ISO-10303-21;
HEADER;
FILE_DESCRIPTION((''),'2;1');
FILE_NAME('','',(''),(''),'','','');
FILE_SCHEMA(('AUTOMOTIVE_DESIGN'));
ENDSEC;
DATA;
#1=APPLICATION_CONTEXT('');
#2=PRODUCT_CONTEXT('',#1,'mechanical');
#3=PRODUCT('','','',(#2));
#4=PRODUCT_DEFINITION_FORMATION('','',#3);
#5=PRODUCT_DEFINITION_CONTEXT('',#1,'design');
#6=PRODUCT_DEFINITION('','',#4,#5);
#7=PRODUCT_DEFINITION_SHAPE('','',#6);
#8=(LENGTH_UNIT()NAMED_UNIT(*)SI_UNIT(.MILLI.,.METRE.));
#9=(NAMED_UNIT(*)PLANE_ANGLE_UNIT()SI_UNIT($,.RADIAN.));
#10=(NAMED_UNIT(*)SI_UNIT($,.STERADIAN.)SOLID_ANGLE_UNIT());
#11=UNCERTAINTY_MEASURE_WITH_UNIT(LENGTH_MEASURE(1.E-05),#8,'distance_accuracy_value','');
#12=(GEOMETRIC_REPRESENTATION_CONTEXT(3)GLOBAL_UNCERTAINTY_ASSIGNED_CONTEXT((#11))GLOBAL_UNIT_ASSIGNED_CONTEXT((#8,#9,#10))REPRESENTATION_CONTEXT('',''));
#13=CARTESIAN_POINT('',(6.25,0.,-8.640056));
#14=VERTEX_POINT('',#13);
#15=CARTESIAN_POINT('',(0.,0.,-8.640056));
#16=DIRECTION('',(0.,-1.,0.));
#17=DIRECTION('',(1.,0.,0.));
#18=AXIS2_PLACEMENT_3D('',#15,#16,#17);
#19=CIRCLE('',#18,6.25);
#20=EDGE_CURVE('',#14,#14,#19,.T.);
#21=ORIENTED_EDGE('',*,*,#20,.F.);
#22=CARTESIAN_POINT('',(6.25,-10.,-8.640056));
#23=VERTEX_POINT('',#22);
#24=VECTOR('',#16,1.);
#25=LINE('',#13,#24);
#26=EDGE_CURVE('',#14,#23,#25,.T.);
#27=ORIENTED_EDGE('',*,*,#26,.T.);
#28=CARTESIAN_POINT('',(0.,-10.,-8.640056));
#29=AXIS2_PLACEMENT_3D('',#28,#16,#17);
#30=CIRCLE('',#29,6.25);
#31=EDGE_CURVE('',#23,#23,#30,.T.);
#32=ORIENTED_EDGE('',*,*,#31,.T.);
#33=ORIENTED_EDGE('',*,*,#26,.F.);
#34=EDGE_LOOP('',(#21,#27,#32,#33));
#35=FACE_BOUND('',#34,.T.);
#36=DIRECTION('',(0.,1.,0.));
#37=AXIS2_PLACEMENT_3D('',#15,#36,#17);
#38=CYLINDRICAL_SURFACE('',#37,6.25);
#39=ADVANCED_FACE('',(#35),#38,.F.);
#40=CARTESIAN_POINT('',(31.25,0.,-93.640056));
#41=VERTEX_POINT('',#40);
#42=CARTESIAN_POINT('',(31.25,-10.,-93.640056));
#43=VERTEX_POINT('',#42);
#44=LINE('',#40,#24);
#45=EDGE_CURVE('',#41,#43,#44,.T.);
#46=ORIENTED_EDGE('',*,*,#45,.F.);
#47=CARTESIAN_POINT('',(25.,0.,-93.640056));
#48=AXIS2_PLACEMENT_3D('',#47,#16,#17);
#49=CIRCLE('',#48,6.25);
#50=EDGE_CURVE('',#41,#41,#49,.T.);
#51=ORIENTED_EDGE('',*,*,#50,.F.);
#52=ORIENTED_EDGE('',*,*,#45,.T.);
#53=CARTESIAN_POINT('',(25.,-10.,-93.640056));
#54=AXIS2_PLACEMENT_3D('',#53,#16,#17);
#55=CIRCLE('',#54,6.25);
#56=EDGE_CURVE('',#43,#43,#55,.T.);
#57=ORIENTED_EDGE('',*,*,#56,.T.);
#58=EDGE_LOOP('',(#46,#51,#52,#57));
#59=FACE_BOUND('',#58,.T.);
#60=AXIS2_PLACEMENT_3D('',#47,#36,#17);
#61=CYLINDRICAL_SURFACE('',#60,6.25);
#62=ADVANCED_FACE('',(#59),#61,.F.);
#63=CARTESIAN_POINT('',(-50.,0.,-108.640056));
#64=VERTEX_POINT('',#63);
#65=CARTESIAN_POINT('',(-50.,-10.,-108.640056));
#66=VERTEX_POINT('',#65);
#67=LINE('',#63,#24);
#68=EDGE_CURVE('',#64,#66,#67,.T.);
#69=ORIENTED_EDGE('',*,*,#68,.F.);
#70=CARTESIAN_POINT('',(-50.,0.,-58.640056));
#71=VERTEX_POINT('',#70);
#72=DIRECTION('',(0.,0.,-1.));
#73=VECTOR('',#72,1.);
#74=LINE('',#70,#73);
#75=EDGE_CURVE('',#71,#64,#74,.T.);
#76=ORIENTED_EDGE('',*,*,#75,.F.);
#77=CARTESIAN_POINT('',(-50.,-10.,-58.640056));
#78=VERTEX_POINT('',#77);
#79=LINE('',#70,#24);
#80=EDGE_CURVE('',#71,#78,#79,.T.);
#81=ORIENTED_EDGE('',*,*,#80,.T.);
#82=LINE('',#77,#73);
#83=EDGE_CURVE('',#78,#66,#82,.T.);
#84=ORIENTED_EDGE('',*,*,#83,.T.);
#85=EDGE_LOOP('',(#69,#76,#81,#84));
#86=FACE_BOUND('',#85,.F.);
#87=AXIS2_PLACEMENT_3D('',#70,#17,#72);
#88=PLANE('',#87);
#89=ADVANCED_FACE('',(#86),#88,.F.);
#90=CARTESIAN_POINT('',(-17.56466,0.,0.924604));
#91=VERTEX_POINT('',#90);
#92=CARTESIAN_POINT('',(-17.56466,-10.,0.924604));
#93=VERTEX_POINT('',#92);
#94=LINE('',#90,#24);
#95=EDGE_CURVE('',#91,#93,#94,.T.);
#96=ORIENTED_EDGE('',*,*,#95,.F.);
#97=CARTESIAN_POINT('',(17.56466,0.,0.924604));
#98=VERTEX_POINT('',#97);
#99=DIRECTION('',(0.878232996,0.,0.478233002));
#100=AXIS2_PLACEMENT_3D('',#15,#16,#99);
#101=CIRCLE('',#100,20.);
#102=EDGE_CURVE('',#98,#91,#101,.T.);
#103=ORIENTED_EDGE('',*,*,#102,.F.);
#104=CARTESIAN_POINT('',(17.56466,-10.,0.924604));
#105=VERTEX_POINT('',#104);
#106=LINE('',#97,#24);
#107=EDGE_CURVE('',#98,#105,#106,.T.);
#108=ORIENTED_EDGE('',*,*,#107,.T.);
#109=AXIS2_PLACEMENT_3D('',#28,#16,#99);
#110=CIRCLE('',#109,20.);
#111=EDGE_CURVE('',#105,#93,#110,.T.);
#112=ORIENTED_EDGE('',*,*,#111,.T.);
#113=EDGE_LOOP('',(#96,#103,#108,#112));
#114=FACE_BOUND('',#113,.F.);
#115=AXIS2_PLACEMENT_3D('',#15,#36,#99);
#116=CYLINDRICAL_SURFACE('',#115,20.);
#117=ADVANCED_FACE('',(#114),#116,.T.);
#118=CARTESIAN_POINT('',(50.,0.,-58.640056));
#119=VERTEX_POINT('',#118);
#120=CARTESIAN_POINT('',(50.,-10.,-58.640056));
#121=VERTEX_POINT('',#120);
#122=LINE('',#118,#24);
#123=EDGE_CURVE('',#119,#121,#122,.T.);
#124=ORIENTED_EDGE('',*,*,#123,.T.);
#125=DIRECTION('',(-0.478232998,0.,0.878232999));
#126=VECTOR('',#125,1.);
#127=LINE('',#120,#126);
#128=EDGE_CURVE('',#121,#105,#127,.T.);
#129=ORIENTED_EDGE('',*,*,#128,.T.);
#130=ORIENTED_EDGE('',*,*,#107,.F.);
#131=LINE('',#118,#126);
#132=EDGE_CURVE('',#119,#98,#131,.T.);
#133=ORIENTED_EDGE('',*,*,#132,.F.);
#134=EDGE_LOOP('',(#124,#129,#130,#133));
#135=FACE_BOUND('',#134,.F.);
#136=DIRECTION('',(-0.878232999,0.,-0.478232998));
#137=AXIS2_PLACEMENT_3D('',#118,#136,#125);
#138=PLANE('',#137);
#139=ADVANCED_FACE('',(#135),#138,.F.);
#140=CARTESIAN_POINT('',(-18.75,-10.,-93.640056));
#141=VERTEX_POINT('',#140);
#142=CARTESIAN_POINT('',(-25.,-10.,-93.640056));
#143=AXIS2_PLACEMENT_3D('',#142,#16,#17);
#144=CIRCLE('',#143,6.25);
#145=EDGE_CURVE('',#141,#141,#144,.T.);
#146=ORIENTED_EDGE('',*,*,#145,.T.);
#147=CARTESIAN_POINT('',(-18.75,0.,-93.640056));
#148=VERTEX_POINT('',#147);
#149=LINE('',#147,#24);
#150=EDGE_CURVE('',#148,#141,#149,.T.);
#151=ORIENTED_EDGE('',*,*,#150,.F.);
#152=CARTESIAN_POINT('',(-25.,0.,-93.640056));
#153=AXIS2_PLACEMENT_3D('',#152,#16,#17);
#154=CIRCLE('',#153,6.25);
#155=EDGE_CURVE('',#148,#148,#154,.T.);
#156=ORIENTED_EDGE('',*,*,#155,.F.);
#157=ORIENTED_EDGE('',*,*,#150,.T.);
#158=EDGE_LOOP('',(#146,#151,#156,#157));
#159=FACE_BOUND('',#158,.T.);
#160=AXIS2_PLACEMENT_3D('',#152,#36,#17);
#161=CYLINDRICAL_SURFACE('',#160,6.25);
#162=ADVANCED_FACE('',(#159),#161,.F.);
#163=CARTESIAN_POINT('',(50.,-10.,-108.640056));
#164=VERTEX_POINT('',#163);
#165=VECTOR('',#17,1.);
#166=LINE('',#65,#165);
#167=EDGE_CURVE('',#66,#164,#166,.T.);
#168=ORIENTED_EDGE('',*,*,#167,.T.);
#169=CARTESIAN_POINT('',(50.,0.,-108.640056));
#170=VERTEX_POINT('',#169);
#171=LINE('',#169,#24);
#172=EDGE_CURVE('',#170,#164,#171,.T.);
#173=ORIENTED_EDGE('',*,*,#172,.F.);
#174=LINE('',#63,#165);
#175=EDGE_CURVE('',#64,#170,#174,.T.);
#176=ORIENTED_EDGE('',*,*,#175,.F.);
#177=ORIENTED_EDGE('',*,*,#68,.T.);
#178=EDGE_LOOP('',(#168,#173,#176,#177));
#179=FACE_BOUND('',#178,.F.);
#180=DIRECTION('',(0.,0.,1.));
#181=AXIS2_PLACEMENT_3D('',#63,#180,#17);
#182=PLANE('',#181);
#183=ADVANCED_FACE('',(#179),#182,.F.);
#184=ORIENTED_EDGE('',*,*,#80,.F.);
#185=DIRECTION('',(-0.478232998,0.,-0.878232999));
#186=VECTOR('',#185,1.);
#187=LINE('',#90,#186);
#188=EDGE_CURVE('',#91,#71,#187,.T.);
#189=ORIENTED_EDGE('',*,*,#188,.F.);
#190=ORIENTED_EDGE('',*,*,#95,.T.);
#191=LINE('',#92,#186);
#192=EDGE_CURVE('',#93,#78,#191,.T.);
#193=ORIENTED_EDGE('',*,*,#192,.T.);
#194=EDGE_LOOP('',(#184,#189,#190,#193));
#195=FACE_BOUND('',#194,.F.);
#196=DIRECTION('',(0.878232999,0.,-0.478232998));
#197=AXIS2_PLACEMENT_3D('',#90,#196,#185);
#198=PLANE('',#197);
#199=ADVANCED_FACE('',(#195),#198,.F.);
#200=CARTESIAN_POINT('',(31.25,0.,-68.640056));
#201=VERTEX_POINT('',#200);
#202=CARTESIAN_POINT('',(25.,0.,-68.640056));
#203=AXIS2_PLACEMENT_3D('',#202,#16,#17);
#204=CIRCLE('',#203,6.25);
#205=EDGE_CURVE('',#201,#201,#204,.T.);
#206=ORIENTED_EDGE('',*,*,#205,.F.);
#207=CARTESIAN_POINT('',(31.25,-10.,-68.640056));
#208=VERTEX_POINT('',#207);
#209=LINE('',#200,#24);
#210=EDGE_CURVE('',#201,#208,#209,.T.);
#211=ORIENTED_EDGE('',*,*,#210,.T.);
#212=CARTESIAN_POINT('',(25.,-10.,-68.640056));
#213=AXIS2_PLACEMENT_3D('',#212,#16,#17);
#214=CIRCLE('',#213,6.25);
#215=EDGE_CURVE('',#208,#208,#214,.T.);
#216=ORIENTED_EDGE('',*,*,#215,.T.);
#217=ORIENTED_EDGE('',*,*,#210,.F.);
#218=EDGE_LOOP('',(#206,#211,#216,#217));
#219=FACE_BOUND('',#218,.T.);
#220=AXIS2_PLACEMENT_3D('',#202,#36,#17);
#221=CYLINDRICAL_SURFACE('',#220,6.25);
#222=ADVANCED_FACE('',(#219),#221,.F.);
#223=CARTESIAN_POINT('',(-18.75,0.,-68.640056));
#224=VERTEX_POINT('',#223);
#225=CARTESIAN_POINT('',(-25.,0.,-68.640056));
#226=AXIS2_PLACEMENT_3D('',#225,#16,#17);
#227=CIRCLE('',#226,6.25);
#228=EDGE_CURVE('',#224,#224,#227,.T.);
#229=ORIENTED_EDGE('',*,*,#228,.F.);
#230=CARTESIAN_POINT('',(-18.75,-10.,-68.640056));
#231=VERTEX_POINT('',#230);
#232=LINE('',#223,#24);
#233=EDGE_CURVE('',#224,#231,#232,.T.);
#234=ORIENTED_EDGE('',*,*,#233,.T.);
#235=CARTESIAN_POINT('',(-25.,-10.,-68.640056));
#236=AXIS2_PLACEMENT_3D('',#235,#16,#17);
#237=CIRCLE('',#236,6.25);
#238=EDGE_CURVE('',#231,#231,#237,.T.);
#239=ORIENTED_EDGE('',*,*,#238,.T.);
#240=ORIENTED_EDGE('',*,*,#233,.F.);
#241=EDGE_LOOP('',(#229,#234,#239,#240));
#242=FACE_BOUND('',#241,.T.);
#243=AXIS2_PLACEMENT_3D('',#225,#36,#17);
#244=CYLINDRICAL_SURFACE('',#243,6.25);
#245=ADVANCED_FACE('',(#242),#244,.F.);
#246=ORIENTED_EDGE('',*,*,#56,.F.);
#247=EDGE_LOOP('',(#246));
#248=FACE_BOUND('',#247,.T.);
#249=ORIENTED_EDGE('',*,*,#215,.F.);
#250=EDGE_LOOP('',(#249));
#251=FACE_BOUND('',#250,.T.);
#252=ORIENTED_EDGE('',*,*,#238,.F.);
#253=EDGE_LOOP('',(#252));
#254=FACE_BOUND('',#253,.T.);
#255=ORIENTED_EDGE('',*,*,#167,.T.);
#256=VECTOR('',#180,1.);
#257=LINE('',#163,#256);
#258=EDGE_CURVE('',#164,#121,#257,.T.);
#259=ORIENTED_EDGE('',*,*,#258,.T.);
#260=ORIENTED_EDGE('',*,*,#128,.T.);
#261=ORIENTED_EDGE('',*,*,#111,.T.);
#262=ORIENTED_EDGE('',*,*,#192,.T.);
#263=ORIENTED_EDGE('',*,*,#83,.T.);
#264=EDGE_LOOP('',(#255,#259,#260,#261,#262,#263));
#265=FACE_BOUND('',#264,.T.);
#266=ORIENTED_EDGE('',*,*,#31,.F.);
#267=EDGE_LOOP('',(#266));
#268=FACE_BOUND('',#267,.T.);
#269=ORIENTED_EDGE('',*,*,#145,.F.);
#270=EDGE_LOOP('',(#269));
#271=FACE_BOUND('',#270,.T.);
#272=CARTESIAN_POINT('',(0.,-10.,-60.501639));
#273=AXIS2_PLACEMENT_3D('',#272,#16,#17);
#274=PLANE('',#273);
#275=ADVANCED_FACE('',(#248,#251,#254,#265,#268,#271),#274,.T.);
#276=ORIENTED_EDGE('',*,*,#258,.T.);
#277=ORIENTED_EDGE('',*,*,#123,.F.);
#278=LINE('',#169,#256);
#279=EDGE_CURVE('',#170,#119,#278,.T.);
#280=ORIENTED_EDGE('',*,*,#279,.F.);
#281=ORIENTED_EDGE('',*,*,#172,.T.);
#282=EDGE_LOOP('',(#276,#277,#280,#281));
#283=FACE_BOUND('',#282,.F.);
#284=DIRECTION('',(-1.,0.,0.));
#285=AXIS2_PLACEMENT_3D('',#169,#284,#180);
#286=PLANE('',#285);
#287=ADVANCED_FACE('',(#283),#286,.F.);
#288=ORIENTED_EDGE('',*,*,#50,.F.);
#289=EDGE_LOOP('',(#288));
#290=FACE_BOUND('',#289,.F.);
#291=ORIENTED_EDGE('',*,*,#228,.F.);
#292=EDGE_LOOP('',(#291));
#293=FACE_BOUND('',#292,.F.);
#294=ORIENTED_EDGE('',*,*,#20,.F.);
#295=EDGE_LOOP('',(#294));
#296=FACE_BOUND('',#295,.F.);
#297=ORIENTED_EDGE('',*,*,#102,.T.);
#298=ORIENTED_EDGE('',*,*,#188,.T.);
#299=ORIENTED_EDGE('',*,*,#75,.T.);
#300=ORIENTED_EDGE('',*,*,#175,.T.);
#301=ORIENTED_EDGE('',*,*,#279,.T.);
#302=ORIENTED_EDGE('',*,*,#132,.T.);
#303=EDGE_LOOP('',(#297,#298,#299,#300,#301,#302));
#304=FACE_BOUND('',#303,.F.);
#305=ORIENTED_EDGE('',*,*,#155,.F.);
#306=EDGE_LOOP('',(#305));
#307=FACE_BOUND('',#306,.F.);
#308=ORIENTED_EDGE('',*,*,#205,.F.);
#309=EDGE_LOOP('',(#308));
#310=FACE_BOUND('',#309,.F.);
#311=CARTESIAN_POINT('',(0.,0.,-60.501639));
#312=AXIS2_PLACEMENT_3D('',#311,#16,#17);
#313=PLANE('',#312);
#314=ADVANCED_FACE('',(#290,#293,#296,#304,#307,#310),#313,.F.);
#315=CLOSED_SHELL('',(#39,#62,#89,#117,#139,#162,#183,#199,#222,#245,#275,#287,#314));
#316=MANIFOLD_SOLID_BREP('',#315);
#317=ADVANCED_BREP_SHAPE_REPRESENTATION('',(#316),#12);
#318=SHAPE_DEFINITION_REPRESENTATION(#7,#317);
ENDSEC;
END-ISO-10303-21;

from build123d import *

# Parameters (mm, degrees)
F0_R     = 6.25
F1_DEPTH = 10


with BuildPart() as f1:
    # F0 (on Front) → F1 (new body)
    with BuildSketch(Plane.XZ):
        with BuildLine():
            Line((50, -58.640056), (17.56466, 0.924604))
            ThreePointArc((17.56466, 0.924604), (0, 11.359944), (-17.56466, 0.924604))
            Line((-17.56466, 0.924604), (-50, -58.640056))
            Line((-50, -58.640056), (-50, -108.640056))
            Line((-50, -108.640056), (0, -108.640056))
            Line((0, -108.640056), (50, -108.640056))
            Line((50, -108.640056), (50, -58.640056))
        make_face()
        with Locations((-25, -93.640056)):
            Circle(F0_R, mode=Mode.SUBTRACT)
        with Locations((-25, -68.640056)):
            Circle(F0_R, mode=Mode.SUBTRACT)
        with Locations((25, -93.640056)):
            Circle(F0_R, mode=Mode.SUBTRACT)
        with Locations((25, -68.640056)):
            Circle(F0_R, mode=Mode.SUBTRACT)
        with Locations((0, -8.640056)):
            Circle(F0_R, mode=Mode.SUBTRACT)
    extrude(amount=F1_DEPTH)


solid = f1.part
